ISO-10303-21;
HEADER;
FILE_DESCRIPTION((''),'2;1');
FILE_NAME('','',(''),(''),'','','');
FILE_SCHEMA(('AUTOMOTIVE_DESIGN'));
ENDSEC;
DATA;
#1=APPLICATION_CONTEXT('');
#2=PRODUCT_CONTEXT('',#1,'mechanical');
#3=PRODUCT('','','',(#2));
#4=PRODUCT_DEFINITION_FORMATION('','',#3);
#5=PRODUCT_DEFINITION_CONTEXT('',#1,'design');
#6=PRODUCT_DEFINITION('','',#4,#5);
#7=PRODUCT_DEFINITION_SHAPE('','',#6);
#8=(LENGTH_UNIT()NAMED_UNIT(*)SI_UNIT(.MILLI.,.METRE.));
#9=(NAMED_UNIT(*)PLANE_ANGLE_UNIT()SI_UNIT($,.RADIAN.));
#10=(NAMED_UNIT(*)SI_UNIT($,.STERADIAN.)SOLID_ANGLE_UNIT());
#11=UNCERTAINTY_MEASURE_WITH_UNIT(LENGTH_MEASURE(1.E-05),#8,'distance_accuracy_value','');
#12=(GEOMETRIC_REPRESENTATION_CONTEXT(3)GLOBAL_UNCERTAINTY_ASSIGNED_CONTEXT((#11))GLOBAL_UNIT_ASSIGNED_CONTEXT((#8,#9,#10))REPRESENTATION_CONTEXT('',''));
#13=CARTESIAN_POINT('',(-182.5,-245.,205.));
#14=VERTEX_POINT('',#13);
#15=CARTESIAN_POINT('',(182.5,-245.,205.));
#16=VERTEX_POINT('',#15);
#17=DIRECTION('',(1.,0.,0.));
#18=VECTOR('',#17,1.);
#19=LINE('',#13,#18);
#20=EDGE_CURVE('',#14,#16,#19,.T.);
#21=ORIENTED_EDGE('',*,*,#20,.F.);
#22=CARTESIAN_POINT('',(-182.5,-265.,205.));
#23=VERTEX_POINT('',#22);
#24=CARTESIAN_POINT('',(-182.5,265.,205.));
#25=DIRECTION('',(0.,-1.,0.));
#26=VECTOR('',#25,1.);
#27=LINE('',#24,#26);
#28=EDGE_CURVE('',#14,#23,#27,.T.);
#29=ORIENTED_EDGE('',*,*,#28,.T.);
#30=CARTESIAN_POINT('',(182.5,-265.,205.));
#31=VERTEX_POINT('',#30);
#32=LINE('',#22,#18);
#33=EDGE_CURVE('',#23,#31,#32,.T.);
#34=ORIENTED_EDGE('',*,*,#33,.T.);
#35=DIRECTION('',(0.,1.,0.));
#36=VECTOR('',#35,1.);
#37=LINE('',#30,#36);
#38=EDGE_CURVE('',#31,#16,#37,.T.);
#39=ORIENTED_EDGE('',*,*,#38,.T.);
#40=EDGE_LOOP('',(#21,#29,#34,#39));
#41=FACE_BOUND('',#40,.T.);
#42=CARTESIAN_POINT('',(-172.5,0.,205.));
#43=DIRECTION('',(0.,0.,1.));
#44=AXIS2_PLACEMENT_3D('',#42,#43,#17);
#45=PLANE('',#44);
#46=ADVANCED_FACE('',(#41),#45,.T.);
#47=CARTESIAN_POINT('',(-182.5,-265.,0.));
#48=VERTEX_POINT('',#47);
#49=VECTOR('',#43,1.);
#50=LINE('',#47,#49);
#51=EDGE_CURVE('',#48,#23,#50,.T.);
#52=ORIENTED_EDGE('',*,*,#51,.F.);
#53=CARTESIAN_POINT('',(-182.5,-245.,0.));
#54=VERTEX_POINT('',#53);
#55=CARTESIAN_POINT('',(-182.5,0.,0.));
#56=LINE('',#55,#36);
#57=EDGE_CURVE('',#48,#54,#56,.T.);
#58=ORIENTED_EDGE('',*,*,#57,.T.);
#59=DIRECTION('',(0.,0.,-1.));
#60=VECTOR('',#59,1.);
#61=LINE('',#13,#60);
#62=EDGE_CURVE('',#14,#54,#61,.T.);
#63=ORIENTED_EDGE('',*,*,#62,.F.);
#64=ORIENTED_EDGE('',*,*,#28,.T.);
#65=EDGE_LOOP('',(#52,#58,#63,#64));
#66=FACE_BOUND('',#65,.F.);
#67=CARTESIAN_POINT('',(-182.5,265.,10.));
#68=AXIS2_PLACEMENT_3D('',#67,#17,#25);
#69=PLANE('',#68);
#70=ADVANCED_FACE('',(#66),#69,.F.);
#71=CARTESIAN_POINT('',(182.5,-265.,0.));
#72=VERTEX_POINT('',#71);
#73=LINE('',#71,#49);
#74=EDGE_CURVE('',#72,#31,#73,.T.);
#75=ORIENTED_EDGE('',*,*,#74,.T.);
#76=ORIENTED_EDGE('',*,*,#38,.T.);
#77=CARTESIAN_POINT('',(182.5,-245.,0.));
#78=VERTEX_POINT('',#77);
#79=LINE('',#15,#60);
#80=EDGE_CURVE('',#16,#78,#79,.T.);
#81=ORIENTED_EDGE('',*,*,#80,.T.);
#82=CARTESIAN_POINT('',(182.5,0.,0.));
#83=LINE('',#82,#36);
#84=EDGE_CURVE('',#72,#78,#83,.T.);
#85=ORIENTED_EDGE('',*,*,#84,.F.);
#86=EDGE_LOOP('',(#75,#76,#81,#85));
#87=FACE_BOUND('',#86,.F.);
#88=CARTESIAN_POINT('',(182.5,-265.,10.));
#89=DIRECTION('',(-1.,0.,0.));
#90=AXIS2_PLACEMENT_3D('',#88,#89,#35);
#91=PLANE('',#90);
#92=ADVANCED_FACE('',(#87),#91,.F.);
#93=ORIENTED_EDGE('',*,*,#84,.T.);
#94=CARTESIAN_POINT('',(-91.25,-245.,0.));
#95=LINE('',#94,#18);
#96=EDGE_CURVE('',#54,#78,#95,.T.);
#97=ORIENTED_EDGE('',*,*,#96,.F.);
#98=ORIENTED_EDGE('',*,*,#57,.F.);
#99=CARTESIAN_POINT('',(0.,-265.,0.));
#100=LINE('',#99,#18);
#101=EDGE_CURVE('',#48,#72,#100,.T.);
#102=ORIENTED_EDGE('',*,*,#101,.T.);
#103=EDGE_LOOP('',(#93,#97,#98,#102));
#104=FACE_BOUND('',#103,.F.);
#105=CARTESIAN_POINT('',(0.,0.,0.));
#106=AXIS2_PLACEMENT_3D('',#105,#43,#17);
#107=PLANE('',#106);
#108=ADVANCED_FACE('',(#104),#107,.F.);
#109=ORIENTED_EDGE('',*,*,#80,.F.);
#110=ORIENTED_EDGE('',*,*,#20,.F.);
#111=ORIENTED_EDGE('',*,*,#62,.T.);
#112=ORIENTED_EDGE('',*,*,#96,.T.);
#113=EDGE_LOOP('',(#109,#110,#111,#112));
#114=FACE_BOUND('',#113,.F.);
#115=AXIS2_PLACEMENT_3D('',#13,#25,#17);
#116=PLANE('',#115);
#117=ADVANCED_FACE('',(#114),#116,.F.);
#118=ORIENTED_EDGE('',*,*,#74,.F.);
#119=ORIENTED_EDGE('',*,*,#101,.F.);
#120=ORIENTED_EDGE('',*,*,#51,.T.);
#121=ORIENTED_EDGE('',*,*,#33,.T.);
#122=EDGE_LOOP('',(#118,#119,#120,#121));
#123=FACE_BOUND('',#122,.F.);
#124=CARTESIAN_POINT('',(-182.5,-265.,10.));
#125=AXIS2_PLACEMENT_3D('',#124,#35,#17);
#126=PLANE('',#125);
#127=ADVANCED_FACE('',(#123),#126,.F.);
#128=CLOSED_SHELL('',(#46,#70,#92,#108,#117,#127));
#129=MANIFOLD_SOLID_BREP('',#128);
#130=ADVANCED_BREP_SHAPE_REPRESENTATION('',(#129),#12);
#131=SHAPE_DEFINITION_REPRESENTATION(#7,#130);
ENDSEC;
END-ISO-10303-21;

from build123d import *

# Parameters (mm, degrees)
F0_W     = 365
F0_H     = 530
F1_DEPTH = 10
F2_W     = 325
F2_H     = 20
F3_DEPTH = 195
F4_W     = 365
F4_H     = 510
F5_DEPTH = 205.001


with BuildPart() as f1:
    # F0 (on Top) → F1 (new body)
    with BuildSketch(Plane.XY):
        Rectangle(F0_W, F0_H)
    extrude(amount=F1_DEPTH)

    # F2 (on face) → F3 (join)
    with BuildSketch(Plane.XY.offset(10)):
        Polygon((-162.5, 265), (-182.5, 265), (-182.5, -265), (-162.5, -265), (-162.5, -245), (-162.5, 245), align=None)
        with Locations((0, 255)):
            Rectangle(F2_W, F2_H)
        Polygon((182.5, 265), (162.5, 265), (162.5, 245), (162.5, -245), (162.5, -265), (182.5, -265), align=None)
        with Locations((0, -255)):
            Rectangle(F2_W, F2_H)
    extrude(amount=F3_DEPTH)

    # F4 (on face) → F5 (cut, through all)
    with BuildSketch(Plane.XY.offset(205)):
        with Locations((0, 10)):
            Rectangle(F4_W, F4_H)
        Polygon((182.5, 265), (-182.5, 265), (-182.5, -245), (-162.5, -245), (182.5, -245), align=None)
    extrude(amount=-F5_DEPTH, mode=Mode.SUBTRACT)


solid = f1.part
